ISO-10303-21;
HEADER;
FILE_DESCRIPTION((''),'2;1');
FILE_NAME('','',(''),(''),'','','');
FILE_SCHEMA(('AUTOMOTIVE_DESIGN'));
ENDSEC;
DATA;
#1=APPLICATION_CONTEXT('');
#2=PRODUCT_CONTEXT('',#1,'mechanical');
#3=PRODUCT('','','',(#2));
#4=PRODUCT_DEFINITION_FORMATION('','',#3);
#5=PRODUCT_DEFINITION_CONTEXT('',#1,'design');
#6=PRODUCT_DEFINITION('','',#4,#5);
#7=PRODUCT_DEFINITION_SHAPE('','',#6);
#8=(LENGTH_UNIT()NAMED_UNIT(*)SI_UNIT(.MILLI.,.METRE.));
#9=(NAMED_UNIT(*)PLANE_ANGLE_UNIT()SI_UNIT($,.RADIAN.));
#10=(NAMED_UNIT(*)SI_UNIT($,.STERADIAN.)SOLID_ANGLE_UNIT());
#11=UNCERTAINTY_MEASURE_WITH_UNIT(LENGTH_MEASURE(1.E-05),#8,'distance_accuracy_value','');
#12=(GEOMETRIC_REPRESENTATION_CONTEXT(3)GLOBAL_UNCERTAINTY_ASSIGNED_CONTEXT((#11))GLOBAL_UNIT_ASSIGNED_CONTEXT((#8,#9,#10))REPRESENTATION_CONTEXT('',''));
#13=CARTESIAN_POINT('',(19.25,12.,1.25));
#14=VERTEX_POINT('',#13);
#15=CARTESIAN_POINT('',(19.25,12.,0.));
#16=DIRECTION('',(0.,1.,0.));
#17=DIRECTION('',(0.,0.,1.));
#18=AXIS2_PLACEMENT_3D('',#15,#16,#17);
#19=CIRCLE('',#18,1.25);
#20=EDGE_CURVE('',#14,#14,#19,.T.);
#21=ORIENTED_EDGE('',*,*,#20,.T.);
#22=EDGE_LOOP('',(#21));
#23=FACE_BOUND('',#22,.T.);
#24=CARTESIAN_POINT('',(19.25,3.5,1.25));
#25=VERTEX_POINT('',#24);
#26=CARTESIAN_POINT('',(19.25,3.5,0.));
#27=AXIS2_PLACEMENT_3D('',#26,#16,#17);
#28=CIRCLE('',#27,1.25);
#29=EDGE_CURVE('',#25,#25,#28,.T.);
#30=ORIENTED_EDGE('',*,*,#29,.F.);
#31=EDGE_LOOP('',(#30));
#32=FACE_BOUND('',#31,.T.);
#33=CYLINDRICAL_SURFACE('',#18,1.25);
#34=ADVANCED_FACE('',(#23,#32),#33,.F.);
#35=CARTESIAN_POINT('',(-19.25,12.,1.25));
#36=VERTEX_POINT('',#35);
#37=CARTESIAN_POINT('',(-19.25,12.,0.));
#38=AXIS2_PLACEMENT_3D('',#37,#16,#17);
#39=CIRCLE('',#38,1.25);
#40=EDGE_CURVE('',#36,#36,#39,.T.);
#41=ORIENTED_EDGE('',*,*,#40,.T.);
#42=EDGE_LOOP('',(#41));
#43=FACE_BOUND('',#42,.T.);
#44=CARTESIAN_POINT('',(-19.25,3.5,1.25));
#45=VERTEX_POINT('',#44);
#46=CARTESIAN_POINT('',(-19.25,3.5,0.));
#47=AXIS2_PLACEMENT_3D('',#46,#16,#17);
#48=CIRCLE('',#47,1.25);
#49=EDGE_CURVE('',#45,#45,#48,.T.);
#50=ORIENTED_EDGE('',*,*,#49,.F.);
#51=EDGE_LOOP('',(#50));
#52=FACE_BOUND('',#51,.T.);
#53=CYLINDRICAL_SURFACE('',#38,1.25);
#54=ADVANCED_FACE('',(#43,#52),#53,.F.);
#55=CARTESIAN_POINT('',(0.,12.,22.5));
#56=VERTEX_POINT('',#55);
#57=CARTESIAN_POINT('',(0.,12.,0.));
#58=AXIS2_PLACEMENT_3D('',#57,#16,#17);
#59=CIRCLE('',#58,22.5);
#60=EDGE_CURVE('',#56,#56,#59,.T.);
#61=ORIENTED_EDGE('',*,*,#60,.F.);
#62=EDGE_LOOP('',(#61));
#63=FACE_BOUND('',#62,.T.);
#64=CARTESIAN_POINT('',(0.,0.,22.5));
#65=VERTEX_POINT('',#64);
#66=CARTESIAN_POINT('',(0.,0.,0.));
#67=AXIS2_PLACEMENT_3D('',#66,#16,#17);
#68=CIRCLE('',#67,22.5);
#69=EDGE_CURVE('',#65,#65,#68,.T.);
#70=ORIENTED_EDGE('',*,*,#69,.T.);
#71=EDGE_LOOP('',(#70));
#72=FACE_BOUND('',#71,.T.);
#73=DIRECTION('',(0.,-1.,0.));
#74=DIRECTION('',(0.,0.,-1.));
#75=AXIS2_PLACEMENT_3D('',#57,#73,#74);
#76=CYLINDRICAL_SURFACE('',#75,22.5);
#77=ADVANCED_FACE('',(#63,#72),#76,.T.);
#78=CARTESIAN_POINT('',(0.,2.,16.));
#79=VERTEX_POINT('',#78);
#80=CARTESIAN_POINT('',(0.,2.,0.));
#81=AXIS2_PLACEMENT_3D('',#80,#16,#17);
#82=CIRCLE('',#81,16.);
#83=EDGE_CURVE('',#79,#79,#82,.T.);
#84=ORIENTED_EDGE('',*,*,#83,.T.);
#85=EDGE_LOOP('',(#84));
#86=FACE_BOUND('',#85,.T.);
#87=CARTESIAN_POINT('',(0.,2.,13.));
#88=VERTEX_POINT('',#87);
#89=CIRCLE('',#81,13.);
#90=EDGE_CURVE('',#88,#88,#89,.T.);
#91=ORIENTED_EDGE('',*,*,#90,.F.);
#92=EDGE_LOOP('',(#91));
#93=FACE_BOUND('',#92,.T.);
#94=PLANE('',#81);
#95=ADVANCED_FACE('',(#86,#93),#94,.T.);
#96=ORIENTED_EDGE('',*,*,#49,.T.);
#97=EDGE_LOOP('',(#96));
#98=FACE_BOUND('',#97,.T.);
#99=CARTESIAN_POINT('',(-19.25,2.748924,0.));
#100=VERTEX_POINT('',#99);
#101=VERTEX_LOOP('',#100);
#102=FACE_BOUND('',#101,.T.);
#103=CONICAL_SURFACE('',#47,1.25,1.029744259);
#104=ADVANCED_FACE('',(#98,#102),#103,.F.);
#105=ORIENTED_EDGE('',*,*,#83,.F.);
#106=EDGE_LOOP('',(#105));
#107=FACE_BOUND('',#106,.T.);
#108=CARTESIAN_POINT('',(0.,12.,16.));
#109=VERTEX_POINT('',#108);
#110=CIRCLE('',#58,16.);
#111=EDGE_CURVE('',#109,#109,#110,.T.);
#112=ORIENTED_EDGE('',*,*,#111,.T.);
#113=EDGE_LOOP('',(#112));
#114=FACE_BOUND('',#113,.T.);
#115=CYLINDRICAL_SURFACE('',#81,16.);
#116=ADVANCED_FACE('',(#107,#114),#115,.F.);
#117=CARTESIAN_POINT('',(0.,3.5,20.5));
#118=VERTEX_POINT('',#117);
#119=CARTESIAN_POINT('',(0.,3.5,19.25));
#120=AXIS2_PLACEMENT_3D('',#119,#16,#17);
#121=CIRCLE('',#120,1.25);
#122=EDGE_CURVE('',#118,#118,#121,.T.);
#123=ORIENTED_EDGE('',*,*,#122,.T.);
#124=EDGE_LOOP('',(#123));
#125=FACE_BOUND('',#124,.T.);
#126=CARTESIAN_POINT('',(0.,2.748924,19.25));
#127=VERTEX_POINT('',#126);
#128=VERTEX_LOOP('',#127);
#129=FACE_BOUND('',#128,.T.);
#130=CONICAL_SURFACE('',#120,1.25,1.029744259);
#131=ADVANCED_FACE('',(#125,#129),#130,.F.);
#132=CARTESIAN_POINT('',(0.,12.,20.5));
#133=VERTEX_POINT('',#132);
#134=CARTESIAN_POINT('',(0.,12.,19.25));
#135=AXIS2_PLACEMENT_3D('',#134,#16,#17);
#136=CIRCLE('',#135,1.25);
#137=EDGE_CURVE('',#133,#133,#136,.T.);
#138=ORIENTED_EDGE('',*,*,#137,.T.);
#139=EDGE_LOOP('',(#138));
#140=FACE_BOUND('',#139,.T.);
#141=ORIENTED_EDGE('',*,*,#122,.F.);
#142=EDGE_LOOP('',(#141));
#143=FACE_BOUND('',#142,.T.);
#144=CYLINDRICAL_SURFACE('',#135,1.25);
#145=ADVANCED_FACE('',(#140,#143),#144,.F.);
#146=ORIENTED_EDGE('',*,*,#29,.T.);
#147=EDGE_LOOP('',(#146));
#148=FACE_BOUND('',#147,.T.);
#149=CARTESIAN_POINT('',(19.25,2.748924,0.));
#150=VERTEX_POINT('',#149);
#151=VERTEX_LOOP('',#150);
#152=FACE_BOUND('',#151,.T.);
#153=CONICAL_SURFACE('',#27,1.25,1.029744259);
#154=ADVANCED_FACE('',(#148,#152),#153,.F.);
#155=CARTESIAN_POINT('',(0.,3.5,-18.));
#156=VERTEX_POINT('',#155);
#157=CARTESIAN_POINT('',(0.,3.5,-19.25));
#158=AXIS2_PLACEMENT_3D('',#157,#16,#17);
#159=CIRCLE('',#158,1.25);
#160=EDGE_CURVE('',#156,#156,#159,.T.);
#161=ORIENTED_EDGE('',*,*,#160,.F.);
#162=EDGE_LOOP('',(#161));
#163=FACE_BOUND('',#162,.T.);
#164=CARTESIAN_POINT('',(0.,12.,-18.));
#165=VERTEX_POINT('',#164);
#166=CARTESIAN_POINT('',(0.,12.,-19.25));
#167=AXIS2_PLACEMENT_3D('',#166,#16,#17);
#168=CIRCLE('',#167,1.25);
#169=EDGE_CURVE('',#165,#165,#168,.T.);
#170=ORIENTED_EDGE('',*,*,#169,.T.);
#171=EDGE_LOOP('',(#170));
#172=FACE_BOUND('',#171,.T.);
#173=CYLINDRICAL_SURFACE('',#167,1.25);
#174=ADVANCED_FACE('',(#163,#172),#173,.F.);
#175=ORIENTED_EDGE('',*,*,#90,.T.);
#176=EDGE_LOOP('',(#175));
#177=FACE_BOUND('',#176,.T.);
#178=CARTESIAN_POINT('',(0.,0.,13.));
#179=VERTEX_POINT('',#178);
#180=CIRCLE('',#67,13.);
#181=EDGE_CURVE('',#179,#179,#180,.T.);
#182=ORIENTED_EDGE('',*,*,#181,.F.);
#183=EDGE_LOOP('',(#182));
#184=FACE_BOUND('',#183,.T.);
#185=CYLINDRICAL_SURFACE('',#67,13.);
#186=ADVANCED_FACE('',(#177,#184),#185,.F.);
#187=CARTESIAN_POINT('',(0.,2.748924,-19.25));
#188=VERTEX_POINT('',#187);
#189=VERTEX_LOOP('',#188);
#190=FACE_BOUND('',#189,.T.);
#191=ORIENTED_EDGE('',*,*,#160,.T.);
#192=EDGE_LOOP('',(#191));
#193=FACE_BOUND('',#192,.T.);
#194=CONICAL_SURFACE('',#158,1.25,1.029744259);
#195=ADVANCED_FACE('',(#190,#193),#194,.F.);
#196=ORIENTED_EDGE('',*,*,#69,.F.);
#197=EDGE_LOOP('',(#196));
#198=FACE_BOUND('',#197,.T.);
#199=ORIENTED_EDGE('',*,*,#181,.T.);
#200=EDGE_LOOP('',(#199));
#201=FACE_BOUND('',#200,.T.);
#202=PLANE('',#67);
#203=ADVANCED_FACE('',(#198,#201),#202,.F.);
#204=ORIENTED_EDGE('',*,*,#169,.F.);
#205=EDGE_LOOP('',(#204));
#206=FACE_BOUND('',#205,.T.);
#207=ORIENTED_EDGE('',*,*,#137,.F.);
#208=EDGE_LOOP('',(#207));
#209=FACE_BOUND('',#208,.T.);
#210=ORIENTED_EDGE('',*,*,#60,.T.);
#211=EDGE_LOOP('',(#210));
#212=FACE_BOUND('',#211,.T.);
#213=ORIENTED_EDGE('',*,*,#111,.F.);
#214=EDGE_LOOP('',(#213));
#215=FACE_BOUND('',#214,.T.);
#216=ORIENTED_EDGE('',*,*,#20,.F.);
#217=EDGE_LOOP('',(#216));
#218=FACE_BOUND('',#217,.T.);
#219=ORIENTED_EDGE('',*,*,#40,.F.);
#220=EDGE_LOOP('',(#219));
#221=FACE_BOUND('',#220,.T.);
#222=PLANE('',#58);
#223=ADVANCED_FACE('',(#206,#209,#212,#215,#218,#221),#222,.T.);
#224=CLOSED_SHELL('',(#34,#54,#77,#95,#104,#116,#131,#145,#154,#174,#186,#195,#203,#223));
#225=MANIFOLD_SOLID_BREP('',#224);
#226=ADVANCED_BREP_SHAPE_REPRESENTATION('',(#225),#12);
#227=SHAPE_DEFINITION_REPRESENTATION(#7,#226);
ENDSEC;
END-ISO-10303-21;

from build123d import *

# Parameters (mm, degrees)
SKETCH_1_R          = 22.5
EXTRUDE_1_DEPTH     = 12
SKETCH_2_R          = 16
CUT_EXTRUDE_1_DEPTH = 10
SKETCH_3_R          = 13
CUT_EXTRUDE_2_DEPTH = 34.35416016
M3X0_51_D           = 2.5
M3X0_51_DEPTH       = 8.5
M3X0_51_TIP         = 0.751075774


with BuildPart() as part:
    # Эскиз1 → Бобышка-Вытянуть1 (new body)
    with BuildSketch(Plane(origin=(0, 0, 0), x_dir=(1, 0, 0), z_dir=(0, 1, 0))):
        with Locations(Location((0, 0, 0), (0, 0, 270))):
            Circle(SKETCH_1_R)
    extrude(amount=EXTRUDE_1_DEPTH)

    # Эскиз2 → Вырез-Вытянуть1 (cut)
    with BuildSketch(Plane(origin=(0, 12, 0), x_dir=(1, 0, 0), z_dir=(0, 1, 0))):
        with Locations(Location((0, 0, 0), (0, 0, 270))):
            Circle(SKETCH_2_R)
    extrude(amount=-CUT_EXTRUDE_1_DEPTH, mode=Mode.SUBTRACT)

    # Эскиз3 → Вырез-Вытянуть2 (cut, through all)
    with BuildSketch(Plane(origin=(0, 2, 0), x_dir=(1, 0, 0), z_dir=(0, 1, 0))):
        with Locations(Location((0, 0, 0), (0, 0, 270))):
            Circle(SKETCH_3_R)
    extrude(amount=-CUT_EXTRUDE_2_DEPTH, mode=Mode.SUBTRACT)

    # Отверстие обработанное метчиком M3x0.51
    with Locations(Plane(origin=(0, 12, 0), x_dir=(1, 0, 0), z_dir=(0, 1, 0))):
        with Locations((-19.25, 0), (0, -19.25), (19.25, 0), (0, 19.25)):
            Hole(M3X0_51_D / 2, depth=M3X0_51_DEPTH)
            with Locations((0, 0, -(M3X0_51_DEPTH + M3X0_51_TIP / 2))):  # 118° drill point
                Cone(0, M3X0_51_D / 2, M3X0_51_TIP, mode=Mode.SUBTRACT)


solid = part.part
